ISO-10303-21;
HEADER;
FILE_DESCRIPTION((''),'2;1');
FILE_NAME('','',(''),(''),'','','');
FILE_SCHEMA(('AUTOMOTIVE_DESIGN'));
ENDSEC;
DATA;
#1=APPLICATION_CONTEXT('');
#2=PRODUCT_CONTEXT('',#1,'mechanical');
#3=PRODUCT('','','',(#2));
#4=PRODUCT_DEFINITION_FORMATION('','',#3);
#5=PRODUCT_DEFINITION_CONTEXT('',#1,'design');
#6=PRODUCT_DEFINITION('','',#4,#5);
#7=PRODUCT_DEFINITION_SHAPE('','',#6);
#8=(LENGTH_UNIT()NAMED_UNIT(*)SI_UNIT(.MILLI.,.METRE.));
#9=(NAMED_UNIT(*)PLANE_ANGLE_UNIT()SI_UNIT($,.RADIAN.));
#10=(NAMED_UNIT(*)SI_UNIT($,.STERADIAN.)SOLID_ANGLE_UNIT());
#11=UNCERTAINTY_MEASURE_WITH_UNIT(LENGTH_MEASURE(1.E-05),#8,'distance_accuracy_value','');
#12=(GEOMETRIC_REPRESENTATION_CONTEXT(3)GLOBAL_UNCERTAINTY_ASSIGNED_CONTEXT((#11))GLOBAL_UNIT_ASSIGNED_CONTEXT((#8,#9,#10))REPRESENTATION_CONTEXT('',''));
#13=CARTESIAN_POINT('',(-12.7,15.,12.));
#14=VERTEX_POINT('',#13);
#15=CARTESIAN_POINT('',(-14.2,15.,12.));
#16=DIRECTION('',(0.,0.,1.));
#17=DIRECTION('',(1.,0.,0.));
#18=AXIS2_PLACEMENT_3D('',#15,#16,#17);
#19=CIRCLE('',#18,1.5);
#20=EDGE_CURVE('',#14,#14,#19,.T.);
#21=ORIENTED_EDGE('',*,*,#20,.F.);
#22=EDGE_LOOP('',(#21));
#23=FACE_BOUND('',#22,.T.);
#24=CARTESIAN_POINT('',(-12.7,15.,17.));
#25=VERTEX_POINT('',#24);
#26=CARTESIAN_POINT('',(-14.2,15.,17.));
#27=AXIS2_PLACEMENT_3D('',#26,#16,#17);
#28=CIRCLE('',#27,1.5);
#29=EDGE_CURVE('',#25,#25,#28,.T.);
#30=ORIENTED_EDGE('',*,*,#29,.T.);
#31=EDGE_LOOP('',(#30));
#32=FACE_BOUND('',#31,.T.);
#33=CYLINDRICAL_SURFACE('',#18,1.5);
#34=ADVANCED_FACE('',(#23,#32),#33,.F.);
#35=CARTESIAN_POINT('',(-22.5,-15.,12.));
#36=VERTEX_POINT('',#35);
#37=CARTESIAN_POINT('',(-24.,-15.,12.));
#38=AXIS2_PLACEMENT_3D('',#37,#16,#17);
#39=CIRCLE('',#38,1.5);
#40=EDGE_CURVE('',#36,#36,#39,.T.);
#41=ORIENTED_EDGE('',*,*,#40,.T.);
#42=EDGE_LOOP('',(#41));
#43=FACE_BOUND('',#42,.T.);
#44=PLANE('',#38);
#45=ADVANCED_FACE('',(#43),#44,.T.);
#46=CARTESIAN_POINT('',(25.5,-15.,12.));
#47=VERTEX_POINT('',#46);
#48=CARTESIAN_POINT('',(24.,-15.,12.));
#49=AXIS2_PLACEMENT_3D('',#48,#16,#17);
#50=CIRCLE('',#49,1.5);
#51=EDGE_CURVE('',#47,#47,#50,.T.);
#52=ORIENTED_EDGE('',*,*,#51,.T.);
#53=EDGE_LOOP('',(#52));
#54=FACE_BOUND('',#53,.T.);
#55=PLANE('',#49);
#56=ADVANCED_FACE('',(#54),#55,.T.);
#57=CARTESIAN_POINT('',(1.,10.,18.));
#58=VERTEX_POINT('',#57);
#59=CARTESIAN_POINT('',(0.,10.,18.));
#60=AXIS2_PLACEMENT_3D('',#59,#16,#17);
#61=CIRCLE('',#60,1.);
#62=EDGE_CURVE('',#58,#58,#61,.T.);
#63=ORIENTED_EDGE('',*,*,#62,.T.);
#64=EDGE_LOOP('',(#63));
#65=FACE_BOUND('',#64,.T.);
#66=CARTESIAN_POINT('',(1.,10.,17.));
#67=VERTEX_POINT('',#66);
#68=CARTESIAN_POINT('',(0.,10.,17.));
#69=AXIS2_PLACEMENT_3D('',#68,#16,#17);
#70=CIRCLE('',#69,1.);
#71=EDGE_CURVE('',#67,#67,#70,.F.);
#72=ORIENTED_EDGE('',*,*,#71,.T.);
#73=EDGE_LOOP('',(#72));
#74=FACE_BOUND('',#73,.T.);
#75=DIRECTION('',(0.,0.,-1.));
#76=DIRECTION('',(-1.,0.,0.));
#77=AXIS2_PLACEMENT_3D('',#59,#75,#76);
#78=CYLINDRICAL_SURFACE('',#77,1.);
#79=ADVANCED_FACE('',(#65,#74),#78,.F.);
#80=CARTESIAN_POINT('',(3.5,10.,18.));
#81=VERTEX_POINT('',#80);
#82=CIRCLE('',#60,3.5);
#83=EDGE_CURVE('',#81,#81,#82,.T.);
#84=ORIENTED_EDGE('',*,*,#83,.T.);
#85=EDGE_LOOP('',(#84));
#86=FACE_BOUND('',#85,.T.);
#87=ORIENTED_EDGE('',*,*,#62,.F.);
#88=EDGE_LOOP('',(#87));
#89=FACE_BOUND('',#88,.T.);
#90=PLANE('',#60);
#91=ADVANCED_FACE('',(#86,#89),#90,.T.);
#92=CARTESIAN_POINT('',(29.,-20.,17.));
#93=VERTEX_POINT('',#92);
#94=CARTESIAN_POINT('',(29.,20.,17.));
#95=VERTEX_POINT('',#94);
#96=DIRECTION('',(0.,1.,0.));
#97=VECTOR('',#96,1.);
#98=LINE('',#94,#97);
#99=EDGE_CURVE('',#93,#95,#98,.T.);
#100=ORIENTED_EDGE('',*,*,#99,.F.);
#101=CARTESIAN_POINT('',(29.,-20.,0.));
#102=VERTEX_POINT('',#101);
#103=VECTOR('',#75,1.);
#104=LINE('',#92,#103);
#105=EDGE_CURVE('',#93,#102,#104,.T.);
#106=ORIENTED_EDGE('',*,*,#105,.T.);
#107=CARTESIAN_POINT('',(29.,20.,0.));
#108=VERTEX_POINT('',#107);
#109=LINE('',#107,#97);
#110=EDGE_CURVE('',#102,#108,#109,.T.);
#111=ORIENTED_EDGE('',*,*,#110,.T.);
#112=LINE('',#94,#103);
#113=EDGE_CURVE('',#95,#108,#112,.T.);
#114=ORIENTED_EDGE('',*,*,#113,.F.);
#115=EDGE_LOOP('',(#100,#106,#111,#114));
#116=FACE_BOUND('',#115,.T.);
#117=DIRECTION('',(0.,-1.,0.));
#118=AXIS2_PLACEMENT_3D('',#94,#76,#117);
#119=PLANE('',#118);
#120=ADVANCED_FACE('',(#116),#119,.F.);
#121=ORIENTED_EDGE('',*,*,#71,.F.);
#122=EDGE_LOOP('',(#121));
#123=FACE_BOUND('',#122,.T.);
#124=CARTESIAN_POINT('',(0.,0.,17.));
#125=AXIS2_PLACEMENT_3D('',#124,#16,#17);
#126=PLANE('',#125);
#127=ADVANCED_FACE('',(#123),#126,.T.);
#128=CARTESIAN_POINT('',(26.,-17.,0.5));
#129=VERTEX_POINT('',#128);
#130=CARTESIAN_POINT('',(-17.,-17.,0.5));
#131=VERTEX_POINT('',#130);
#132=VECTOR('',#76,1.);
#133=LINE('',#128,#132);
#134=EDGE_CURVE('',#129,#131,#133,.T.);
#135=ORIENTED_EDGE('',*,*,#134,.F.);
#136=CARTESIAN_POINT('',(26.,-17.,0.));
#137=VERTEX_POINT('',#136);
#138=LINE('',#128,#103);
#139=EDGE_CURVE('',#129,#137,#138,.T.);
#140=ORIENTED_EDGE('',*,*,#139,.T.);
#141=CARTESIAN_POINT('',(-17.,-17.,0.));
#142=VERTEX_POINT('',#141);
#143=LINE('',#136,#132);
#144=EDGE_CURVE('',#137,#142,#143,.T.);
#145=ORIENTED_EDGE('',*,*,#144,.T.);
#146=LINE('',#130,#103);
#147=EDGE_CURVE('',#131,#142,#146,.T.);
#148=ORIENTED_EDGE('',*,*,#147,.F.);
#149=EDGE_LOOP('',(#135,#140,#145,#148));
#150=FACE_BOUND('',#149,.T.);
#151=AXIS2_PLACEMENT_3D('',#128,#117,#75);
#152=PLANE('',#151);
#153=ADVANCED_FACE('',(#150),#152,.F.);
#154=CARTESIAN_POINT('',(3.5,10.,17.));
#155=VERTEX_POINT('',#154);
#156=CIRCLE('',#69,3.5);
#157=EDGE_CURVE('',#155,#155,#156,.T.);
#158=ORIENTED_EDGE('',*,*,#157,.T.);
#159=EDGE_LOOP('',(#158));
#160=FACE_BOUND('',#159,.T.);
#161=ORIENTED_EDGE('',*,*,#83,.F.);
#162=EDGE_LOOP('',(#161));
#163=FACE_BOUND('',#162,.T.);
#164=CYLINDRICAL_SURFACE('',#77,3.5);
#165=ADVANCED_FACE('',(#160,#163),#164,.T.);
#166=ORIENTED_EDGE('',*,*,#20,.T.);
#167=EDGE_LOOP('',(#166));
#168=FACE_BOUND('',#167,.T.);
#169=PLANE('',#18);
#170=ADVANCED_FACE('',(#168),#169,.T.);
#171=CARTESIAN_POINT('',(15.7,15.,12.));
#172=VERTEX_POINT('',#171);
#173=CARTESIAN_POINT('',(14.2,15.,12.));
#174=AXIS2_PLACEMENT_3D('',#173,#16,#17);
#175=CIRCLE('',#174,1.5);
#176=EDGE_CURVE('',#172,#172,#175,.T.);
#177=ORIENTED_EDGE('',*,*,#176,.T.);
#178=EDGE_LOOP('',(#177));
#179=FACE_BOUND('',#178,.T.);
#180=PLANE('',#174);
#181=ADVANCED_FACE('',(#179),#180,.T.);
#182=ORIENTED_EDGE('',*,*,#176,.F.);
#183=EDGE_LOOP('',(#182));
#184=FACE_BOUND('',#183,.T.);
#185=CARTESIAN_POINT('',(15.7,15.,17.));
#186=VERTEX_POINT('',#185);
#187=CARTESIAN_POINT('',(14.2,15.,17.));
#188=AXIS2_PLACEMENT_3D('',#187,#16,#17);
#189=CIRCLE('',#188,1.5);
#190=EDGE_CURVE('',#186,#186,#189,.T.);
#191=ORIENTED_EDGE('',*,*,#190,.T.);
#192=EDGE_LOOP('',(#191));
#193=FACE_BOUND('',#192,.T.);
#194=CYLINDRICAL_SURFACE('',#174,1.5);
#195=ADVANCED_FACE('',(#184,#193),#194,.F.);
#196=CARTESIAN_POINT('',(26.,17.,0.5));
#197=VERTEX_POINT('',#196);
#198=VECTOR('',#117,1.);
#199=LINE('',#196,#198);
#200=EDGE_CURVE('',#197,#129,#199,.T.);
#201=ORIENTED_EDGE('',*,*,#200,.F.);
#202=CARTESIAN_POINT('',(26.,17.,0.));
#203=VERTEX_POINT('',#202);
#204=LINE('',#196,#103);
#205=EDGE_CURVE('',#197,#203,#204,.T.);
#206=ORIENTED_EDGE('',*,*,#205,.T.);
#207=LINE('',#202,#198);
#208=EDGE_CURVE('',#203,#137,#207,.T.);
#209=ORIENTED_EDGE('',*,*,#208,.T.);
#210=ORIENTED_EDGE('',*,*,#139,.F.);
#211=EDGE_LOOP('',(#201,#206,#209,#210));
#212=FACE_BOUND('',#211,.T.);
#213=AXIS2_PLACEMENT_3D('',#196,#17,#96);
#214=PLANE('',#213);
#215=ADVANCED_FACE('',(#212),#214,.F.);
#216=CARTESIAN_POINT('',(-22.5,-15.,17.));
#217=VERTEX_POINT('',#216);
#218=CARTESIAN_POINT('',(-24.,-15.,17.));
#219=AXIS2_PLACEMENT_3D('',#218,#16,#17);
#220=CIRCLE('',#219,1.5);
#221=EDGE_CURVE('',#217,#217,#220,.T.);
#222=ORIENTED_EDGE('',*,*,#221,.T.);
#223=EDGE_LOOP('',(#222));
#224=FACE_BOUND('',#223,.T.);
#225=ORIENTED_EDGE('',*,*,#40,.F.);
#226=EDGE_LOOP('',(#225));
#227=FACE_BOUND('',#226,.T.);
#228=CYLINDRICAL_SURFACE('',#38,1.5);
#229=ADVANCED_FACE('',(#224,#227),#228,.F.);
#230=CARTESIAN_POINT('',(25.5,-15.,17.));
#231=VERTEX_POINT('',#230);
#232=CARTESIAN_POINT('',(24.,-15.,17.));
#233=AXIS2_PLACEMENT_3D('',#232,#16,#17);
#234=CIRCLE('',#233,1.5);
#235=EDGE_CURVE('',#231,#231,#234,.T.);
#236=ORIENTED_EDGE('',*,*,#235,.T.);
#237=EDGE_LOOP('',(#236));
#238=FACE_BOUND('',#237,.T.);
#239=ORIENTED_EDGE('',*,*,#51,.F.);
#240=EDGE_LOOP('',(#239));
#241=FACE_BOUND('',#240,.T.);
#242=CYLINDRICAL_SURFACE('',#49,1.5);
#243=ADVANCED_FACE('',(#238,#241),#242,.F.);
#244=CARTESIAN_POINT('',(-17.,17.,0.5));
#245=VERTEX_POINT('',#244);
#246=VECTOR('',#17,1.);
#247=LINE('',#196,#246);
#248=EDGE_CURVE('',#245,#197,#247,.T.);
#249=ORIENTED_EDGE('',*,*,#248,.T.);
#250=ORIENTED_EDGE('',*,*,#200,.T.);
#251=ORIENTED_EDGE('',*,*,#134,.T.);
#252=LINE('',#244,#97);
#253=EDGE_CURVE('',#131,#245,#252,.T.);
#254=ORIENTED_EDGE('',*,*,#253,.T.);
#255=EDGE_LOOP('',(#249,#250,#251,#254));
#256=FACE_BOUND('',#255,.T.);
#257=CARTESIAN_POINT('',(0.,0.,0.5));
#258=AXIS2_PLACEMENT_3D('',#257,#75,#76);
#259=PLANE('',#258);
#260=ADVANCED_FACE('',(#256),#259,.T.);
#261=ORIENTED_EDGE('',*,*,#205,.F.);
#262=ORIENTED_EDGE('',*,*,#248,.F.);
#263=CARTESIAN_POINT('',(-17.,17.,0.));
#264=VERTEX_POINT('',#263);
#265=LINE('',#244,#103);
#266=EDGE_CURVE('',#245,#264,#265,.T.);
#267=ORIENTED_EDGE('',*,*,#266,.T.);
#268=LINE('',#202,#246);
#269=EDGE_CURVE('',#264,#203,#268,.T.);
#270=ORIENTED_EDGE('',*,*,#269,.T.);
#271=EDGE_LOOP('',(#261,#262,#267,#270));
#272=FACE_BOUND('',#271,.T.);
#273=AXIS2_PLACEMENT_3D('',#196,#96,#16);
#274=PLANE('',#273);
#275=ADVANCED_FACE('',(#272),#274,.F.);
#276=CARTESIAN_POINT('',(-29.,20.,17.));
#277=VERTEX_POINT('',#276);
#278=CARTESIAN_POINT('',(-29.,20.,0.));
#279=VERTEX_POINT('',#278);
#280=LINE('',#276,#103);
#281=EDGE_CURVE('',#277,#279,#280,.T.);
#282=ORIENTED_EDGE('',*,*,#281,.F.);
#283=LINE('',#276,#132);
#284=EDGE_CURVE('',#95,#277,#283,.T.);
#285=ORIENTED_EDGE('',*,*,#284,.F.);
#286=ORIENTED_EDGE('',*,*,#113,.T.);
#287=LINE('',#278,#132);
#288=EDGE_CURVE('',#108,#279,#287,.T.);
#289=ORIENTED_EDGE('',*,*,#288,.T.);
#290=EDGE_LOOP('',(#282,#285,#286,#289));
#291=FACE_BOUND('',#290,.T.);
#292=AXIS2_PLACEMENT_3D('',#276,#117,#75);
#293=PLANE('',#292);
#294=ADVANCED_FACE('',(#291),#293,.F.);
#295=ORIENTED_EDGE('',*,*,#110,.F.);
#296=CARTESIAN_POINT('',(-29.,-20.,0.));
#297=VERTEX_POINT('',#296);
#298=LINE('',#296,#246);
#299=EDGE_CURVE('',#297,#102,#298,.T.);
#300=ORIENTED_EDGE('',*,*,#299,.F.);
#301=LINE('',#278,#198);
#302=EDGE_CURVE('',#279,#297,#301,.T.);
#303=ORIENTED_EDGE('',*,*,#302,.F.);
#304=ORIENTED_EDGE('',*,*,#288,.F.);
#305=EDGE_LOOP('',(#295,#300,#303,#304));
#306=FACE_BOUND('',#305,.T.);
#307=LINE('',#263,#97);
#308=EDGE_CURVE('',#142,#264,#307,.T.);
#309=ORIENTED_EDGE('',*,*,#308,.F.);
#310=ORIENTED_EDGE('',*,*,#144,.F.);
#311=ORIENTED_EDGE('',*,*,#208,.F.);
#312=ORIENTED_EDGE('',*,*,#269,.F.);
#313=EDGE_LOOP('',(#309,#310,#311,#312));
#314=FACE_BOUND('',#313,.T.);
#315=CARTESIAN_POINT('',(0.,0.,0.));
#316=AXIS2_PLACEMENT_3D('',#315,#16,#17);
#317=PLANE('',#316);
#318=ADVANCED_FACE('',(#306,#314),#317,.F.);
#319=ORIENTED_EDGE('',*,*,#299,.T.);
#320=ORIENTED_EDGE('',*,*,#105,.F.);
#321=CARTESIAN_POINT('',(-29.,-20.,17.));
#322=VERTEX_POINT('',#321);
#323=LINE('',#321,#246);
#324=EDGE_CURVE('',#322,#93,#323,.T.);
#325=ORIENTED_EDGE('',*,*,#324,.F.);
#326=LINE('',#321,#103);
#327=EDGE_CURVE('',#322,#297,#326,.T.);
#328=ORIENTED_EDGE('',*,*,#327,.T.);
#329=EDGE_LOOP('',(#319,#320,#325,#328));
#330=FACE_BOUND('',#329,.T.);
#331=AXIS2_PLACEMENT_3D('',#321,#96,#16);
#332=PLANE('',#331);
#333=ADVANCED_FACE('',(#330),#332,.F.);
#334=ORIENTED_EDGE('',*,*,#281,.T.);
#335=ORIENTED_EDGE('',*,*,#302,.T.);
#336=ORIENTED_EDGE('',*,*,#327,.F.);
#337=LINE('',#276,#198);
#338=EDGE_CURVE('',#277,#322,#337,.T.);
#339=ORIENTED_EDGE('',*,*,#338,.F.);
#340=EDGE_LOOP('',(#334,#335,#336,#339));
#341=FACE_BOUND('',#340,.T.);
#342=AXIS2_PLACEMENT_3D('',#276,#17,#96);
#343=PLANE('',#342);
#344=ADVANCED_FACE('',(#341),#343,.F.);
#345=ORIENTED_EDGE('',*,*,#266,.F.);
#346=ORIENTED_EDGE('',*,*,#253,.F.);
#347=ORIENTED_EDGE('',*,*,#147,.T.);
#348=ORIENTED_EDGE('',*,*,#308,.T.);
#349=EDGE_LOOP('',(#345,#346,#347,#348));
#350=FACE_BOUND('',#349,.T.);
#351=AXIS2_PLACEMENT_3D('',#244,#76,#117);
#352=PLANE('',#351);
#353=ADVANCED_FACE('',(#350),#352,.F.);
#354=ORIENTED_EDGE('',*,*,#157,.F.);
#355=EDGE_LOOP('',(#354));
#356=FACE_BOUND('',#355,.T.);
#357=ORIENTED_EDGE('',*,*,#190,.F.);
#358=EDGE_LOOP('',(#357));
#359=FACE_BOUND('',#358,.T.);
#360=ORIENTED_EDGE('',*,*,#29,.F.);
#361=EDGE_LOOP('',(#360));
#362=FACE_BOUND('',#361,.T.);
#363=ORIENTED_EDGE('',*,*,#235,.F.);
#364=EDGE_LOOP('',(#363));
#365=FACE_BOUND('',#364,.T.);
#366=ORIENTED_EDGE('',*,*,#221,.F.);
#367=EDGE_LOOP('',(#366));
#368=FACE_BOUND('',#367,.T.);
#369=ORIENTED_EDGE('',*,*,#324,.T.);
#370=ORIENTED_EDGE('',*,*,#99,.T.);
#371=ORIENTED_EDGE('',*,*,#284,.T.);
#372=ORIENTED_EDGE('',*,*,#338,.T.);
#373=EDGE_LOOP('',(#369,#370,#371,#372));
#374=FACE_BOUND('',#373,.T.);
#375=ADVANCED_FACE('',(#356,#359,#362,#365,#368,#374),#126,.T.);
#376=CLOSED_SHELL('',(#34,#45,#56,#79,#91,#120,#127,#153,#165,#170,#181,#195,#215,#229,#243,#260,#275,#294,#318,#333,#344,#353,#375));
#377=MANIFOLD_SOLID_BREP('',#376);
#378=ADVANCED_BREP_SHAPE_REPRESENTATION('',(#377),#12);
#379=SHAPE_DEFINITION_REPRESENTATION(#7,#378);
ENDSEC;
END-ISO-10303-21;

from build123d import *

# Parameters (mm, degrees)
SKETCH_1_W          = 58
SKETCH_1_H          = 40
EXTRUDE_1_DEPTH     = 17
SKETCH_2_R          = 1.5
CUT_EXTRUDE_1_DEPTH = 5
SKETCH_3_W          = 43
SKETCH_3_H          = 34
CUT_EXTRUDE_2_DEPTH = 0.5
SKETCH_4_R          = 3.5
SKETCH_4_R_2        = 1
EXTRUDE_2_DEPTH     = 1


with BuildPart() as part:
    # 草图1 → 凸台-拉伸1 (new body)
    with BuildSketch(Plane.XY):
        Rectangle(SKETCH_1_W, SKETCH_1_H)
    extrude(amount=EXTRUDE_1_DEPTH)

    # 草图2 → 切除-拉伸1 (cut)
    with BuildSketch(Plane.XY.offset(17)):
        with Locations((-24, -15)):
            Circle(SKETCH_2_R)
        with Locations((24, -15)):
            Circle(SKETCH_2_R)
        with Locations((-14.2, 15)):
            Circle(SKETCH_2_R)
        with Locations((14.2, 15)):
            Circle(SKETCH_2_R)
    extrude(amount=-CUT_EXTRUDE_1_DEPTH, mode=Mode.SUBTRACT)

    # 草图3 → 切除-拉伸2 (cut)
    with BuildSketch(Plane(origin=(0, 0, 0), x_dir=(-1, 0, 0), z_dir=(0, 0, -1))):
        with Locations((-4.5, 0)):
            Rectangle(SKETCH_3_W, SKETCH_3_H)
    extrude(amount=-CUT_EXTRUDE_2_DEPTH, mode=Mode.SUBTRACT)

    # 草图4 → 凸台-拉伸2 (add)
    with BuildSketch(Plane.XY.offset(17)):
        with Locations((0, 10)):
            Circle(SKETCH_4_R)
        with Locations((0, 10)):
            Circle(SKETCH_4_R_2, mode=Mode.SUBTRACT)
    extrude(amount=EXTRUDE_2_DEPTH)


solid = part.part
